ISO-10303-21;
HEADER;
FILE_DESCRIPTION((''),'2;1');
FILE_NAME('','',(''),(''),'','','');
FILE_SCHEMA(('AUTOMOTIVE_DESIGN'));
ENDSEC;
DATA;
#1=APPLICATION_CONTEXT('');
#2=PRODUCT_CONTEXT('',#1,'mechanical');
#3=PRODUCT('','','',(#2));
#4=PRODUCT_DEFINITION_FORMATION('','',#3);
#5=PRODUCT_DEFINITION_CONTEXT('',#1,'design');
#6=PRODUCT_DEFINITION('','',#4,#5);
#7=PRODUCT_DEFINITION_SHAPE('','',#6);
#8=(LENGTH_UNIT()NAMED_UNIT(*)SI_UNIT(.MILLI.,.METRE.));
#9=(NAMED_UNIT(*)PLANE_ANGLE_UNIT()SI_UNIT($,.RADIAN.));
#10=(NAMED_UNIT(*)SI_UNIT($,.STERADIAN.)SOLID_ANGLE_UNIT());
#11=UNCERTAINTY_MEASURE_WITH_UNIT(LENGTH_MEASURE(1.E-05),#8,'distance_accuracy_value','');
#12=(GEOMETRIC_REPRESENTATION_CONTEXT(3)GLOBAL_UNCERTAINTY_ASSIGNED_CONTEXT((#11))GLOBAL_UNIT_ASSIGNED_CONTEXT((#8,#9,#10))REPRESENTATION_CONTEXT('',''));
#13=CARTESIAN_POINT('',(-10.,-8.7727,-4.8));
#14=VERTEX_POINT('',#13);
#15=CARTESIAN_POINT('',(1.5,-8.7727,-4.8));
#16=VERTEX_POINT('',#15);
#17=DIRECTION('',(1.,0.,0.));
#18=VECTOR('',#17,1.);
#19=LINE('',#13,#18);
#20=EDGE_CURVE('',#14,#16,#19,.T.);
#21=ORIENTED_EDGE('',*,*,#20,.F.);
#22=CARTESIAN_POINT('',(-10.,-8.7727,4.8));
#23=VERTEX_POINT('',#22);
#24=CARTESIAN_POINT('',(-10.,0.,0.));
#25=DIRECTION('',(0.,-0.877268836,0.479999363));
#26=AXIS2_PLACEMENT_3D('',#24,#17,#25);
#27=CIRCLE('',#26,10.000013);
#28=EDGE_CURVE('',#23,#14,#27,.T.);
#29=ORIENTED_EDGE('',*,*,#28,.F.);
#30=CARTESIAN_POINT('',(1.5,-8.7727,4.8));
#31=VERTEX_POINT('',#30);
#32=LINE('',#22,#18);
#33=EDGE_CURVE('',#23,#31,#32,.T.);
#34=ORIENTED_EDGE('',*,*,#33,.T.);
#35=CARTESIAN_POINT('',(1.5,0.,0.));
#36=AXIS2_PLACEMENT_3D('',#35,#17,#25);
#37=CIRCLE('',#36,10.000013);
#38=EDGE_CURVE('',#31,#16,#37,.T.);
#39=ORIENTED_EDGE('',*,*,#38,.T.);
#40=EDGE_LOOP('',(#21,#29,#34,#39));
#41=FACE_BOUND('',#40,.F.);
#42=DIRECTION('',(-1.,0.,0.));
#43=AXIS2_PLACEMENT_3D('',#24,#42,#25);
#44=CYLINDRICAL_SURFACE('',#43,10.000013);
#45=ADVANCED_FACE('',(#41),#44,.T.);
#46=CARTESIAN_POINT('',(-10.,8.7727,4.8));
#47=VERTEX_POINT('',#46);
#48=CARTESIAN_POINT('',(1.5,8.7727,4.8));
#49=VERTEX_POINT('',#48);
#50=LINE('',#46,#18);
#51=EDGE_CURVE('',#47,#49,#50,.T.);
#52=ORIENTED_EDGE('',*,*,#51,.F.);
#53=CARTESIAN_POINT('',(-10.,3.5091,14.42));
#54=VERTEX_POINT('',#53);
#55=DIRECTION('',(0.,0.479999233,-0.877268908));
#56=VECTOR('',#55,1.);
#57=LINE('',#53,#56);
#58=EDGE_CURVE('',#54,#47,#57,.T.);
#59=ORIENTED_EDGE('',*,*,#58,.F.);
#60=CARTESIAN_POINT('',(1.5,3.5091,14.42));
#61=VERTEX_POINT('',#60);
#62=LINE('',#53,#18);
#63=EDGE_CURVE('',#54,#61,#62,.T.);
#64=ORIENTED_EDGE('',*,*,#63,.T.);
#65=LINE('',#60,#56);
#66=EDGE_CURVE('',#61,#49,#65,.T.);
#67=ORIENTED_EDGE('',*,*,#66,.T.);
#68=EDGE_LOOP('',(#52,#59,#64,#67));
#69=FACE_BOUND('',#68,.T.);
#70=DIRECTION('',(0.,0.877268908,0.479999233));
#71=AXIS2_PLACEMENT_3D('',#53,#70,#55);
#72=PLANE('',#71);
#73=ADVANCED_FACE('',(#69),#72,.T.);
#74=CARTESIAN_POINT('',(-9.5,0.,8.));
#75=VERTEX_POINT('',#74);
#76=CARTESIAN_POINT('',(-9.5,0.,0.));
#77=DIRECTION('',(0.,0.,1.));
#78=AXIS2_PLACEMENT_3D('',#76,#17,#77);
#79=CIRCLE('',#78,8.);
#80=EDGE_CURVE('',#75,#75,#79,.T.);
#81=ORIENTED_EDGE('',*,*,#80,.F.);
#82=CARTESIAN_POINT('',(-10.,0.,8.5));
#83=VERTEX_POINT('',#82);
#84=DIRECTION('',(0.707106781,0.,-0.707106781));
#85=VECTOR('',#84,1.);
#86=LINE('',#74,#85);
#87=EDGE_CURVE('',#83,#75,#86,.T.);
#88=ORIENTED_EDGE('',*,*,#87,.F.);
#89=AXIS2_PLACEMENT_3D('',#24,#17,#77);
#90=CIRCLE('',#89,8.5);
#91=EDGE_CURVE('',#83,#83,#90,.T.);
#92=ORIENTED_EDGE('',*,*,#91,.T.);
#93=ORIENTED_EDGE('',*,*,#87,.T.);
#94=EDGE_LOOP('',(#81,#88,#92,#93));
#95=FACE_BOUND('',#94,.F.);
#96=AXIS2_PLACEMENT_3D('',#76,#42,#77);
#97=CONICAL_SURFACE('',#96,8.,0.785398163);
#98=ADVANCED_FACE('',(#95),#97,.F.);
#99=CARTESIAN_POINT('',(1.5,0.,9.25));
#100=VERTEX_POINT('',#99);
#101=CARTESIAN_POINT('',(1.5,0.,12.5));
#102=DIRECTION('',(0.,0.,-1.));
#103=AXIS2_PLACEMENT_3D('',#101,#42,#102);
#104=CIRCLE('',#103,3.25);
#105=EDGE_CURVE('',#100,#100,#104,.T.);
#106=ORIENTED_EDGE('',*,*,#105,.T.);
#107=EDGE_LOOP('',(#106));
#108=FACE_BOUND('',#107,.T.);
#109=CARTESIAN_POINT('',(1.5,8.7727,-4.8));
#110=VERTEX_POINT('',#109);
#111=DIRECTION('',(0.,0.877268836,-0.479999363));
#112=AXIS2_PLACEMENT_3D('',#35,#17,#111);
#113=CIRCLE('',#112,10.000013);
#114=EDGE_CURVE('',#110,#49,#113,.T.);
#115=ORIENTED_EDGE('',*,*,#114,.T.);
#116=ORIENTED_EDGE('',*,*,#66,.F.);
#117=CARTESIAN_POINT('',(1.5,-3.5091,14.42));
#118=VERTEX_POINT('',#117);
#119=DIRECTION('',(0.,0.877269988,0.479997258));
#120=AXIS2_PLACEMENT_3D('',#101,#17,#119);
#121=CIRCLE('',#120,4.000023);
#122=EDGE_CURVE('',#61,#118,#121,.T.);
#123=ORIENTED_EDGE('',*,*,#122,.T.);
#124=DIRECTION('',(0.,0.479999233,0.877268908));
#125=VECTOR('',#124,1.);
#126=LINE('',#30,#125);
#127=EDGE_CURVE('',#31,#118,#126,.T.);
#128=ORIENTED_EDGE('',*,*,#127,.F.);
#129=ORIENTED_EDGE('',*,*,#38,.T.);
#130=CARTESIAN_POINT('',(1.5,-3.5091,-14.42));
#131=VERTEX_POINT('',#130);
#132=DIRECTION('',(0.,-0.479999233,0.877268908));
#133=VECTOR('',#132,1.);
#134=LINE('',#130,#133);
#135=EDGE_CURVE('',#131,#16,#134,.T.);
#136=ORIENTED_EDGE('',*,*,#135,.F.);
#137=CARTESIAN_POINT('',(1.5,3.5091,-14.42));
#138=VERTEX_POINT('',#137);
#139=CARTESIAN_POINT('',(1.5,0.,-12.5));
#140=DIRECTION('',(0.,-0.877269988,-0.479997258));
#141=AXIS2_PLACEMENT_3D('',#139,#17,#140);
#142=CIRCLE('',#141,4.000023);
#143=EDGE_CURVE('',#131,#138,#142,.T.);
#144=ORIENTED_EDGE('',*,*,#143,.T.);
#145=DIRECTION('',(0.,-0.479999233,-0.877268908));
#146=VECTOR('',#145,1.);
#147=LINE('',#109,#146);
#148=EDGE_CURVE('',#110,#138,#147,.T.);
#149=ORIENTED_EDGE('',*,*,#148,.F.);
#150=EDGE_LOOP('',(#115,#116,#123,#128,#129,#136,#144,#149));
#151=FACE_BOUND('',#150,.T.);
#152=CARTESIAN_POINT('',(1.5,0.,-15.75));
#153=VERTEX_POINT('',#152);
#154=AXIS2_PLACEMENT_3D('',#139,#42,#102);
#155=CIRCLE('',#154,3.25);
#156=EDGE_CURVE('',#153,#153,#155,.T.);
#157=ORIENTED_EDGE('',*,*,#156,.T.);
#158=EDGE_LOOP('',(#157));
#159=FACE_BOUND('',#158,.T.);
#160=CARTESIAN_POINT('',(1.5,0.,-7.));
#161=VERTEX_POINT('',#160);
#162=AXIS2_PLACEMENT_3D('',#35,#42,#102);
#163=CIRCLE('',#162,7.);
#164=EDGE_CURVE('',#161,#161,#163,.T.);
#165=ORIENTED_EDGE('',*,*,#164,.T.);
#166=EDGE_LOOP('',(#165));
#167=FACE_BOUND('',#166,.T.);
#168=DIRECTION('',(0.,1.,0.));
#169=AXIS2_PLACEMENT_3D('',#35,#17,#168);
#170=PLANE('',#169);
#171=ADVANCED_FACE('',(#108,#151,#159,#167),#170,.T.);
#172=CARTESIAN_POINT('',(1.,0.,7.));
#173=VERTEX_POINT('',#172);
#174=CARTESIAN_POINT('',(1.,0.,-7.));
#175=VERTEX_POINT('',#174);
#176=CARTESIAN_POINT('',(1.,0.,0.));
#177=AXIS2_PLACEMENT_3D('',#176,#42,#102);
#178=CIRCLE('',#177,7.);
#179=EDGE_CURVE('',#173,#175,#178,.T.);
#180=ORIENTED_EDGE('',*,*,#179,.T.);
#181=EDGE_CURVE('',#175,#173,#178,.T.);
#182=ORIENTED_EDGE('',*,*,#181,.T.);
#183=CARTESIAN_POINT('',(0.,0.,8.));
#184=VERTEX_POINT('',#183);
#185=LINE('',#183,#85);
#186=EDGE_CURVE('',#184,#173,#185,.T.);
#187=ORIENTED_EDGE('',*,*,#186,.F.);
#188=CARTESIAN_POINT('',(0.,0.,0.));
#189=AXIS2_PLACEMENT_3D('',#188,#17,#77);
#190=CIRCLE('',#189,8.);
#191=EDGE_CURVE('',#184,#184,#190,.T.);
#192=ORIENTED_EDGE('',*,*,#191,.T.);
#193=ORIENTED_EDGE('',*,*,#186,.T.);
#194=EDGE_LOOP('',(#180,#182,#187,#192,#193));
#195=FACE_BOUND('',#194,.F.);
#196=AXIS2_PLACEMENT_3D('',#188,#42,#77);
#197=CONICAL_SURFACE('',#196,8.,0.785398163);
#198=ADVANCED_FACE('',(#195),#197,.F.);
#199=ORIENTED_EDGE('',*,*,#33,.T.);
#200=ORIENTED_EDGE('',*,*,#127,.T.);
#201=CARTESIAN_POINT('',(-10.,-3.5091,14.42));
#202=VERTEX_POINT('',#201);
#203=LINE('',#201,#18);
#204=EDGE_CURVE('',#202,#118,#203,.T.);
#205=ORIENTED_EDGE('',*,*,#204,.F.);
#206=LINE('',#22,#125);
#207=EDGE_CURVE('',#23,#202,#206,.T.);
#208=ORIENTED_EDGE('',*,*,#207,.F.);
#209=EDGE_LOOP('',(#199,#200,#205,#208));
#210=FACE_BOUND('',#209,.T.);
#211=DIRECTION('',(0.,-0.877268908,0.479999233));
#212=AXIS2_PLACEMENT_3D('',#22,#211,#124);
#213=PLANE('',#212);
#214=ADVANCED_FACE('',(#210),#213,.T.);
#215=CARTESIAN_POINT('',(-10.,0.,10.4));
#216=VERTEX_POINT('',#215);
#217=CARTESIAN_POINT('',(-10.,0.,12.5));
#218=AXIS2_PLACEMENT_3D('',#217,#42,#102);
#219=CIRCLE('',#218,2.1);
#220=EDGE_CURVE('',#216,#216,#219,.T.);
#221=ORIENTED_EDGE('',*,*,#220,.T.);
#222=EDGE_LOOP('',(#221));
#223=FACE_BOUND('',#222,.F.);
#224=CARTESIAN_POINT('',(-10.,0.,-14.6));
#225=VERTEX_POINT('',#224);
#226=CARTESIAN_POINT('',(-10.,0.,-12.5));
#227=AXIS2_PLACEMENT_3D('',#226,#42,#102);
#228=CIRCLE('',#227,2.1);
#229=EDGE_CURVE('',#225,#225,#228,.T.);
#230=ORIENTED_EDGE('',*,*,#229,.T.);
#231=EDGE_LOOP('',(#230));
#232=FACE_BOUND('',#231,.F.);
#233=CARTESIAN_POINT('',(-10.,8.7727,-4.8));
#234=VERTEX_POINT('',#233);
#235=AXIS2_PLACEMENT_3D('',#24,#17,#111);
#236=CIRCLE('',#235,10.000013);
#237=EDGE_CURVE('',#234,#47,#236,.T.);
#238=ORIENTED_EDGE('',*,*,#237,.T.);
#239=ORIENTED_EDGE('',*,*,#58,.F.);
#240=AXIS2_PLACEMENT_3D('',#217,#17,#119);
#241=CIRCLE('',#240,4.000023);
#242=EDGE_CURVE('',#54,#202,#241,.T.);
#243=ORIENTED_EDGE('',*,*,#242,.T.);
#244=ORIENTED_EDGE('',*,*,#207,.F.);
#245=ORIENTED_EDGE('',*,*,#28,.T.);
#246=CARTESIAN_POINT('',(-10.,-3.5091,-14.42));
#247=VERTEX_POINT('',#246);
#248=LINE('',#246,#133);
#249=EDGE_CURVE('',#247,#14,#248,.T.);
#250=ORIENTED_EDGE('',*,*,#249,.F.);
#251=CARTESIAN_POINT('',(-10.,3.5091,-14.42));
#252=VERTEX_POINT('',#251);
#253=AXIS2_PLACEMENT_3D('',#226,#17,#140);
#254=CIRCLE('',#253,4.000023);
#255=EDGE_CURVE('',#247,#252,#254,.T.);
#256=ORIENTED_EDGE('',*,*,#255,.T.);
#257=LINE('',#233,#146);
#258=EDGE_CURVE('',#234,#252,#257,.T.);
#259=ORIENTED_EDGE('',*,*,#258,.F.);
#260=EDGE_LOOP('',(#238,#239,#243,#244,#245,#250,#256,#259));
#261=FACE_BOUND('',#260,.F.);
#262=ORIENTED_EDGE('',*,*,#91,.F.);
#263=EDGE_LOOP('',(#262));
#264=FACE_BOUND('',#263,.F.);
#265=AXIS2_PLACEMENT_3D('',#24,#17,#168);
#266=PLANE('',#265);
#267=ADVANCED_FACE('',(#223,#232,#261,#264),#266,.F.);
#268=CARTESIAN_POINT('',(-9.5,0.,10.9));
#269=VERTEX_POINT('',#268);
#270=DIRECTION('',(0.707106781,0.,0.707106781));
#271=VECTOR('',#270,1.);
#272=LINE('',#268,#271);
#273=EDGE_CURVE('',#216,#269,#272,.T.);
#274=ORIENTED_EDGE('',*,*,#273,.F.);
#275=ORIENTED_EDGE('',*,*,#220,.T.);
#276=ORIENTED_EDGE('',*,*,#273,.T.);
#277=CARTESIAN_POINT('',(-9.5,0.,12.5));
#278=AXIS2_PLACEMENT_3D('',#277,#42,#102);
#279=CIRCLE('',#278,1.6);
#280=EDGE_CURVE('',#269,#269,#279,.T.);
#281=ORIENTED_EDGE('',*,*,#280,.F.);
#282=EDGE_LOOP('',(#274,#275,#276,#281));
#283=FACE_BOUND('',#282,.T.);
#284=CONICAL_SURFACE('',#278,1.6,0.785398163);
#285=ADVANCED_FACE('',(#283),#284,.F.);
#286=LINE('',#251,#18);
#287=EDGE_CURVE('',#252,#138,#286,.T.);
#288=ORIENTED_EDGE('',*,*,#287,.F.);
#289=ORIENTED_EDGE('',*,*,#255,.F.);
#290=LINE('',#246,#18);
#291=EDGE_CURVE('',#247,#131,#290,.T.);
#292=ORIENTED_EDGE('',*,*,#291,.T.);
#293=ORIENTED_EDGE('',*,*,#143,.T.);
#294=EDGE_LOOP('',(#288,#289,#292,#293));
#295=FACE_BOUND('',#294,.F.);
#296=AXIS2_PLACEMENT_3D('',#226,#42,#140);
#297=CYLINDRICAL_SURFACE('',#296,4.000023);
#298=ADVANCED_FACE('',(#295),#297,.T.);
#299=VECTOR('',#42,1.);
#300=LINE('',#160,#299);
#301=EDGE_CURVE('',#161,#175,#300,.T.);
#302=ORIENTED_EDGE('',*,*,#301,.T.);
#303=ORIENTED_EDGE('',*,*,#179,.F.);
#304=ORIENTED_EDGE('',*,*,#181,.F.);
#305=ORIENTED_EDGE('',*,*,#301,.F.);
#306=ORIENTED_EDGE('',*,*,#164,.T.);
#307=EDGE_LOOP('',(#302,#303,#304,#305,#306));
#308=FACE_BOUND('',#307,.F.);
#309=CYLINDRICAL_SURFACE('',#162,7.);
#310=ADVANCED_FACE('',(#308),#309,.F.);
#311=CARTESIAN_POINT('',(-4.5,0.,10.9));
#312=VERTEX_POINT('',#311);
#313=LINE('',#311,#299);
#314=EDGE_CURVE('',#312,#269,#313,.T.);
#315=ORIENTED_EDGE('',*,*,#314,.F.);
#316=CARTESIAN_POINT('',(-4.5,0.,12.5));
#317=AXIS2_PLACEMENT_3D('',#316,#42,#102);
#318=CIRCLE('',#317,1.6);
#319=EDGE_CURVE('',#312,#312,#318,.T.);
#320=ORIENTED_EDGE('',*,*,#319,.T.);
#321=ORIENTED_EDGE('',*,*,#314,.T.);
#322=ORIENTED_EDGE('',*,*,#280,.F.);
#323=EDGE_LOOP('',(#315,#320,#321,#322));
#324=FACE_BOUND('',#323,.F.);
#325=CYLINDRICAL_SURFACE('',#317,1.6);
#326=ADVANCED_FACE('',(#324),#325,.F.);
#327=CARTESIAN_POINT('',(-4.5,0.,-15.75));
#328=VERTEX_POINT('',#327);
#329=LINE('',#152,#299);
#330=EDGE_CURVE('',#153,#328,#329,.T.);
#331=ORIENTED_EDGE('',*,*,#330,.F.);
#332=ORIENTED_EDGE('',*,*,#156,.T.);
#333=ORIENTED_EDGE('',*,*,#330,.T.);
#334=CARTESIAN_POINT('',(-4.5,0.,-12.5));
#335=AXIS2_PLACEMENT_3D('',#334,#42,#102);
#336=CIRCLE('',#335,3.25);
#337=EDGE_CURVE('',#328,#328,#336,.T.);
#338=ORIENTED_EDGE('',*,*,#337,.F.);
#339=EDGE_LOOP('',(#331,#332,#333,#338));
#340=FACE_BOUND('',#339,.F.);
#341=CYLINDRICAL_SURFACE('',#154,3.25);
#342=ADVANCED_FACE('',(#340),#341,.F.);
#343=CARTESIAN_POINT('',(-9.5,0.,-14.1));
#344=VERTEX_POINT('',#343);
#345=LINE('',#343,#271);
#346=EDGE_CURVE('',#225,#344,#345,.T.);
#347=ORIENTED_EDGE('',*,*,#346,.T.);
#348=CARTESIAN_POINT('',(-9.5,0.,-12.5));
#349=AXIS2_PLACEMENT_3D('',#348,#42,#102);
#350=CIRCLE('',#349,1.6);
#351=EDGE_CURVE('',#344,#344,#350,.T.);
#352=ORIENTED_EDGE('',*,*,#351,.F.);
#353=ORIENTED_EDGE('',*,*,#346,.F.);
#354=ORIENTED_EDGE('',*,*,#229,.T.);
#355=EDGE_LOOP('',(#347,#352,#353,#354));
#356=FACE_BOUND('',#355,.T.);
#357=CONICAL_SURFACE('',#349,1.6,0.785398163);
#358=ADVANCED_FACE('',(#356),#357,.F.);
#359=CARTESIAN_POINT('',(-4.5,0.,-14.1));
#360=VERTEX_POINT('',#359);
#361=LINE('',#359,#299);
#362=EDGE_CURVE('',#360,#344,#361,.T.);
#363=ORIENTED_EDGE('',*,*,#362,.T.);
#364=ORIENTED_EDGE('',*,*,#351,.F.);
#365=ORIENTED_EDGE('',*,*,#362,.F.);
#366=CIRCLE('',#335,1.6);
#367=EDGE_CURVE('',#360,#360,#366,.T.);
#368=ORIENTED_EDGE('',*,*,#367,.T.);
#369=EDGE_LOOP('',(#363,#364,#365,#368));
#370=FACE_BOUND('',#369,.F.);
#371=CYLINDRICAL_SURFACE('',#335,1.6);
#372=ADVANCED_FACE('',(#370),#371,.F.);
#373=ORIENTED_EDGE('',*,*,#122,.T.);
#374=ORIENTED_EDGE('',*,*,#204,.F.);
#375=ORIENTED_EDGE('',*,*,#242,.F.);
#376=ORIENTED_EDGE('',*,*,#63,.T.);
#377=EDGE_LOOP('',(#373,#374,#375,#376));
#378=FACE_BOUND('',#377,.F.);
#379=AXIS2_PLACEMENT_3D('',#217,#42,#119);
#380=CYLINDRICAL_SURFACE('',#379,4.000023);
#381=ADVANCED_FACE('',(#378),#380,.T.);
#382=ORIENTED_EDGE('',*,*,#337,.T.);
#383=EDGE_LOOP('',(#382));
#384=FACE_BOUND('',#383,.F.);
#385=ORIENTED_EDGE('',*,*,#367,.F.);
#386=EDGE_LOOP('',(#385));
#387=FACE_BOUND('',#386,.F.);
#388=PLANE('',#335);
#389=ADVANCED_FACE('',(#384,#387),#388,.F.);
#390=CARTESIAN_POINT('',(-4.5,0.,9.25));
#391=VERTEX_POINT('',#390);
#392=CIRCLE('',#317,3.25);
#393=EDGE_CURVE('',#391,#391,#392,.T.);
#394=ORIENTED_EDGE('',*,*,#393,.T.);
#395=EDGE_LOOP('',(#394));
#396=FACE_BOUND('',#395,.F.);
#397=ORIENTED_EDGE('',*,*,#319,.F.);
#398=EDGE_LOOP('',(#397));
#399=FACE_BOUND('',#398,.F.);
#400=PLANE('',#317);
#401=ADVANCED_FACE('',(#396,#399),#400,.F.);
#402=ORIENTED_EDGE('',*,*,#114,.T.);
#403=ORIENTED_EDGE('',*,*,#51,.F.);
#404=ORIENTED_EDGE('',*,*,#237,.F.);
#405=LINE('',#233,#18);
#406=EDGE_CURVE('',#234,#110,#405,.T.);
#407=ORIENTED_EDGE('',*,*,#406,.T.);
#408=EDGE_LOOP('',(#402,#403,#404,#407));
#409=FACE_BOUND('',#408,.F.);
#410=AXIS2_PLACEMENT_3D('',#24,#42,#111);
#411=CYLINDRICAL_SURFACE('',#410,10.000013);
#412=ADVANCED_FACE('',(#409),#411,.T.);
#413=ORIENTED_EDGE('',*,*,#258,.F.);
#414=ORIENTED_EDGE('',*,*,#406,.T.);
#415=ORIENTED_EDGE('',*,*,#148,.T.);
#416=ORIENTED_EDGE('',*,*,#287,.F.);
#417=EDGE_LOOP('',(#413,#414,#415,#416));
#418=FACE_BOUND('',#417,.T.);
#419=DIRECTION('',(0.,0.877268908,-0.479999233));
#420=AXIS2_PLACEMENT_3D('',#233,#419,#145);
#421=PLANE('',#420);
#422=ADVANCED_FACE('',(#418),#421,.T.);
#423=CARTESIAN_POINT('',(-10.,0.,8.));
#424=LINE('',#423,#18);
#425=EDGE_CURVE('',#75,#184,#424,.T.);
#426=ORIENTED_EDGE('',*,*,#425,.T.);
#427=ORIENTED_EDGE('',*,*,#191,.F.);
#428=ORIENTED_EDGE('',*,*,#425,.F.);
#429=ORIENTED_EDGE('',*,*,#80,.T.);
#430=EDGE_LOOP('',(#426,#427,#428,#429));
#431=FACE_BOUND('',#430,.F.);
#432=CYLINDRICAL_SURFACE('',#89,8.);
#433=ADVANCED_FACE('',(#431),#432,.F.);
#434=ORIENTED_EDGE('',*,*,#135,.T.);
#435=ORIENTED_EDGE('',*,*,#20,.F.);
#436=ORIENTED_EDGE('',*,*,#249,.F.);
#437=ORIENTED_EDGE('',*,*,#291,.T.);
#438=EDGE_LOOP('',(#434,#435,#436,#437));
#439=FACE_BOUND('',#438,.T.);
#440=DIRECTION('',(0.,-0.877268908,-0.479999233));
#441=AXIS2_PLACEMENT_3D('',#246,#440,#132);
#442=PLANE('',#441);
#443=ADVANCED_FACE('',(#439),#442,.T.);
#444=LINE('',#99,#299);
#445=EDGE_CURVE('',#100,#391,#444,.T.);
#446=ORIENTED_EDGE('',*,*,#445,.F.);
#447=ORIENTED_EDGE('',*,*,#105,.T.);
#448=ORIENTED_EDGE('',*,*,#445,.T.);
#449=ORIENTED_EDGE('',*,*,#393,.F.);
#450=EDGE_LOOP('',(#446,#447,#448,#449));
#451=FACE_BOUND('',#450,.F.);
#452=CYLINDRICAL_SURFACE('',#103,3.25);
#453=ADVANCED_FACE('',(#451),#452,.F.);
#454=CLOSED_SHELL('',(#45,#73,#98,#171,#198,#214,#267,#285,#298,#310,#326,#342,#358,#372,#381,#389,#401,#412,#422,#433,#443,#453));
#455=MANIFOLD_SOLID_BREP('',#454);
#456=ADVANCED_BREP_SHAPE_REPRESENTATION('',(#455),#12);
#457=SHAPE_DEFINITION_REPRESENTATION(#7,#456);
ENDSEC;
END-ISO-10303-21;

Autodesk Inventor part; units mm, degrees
ref_plane "XZ Plane" through (0, 0, 0) normal (0, 1, 0) x (-1, 0, 0)
ref_plane "XY Plane" through (0, 0, 0) normal (0, 0, 1) x (1, 0, 0)
ref_plane "Work Plane1" through (-10, 0, 0) normal (1, 0, 0) x (0, 1, 0)
sketch "Sketch1" plane through (-10, 0, 0) normal (1, 0, 0) x (0, 1, 0)
  line L0 (3.5091, 14.42) -> (8.7727, 4.8)
  arc A0 (-8.7727, 4.8) -> (-8.7727, -4.8) centre (0, 0) ccw
  line L1 (8.7727, -4.8) -> (3.5091, -14.42)
  arc A1 (3.5091, 14.42) -> (-3.5091, 14.42) centre (0, 12.5) ccw
  line L2 (-3.5091, -14.42) -> (-8.7727, -4.8)
  arc A2 (8.7727, -4.8) -> (8.7727, 4.8) centre (0, 0) ccw
  line L3 (-8.7727, 4.8) -> (-3.5091, 14.42)
  arc A3 (-3.5091, -14.42) -> (3.5091, -14.42) centre (0, -12.5) ccw
extrude "Extrusion1" add sketch "Sketch1" along normal blind 11.5
hole "Hole4" at (1.5, 0, 0) direction (-1, 0, 0) diameter 14 depth 11.5
hole "Hole3" at (1.5, 0, -12.5) direction (-1, 0, 0) diameter 3.2 depth 11.5 counterbore diameter 6.5 counterbore depth 6
sketch "Sketch3" plane through (1.5, 0, 0) normal (1, 0, 0) x (0, 0, -1)
  point P0 (12.5, 0)
hole "Hole2" at (1.5, 0, 12.5) direction (-1, 0, 0) diameter 3.2 depth 11.5 counterbore diameter 6.5 counterbore depth 6
sketch "Sketch2" plane through (1.5, 0, 0) normal (1, 0, 0) x (0, 0, -1)
  point P0 (0, 0)
hole "Hole1" at (-10, 0, 0) direction (1, 0, 0) diameter 16 depth 10 tip angle 90
chamfer "Chamfer3" distance 0.5 angle 45 1 edges at (-10, 0, -10.9)
chamfer "Chamfer2" distance 0.5 angle 45 1 edges at (-10, 0, 14.1)
chamfer "Chamfer1" distance 0.5 angle 45 1 edges at (-10, 0, -8)
sketch "Sketch4" plane through (1.5, 0, 0) normal (1, 0, 0) x (0, 0, -1)
  point P0 (-12.5, 0)
sketch "Sketch5" plane through (-10, 0, 0) normal (1, 0, 0) x (0, 1, 0)
  point P0 (0, 0)
properties part number "XY Drive Bearing Holder"
